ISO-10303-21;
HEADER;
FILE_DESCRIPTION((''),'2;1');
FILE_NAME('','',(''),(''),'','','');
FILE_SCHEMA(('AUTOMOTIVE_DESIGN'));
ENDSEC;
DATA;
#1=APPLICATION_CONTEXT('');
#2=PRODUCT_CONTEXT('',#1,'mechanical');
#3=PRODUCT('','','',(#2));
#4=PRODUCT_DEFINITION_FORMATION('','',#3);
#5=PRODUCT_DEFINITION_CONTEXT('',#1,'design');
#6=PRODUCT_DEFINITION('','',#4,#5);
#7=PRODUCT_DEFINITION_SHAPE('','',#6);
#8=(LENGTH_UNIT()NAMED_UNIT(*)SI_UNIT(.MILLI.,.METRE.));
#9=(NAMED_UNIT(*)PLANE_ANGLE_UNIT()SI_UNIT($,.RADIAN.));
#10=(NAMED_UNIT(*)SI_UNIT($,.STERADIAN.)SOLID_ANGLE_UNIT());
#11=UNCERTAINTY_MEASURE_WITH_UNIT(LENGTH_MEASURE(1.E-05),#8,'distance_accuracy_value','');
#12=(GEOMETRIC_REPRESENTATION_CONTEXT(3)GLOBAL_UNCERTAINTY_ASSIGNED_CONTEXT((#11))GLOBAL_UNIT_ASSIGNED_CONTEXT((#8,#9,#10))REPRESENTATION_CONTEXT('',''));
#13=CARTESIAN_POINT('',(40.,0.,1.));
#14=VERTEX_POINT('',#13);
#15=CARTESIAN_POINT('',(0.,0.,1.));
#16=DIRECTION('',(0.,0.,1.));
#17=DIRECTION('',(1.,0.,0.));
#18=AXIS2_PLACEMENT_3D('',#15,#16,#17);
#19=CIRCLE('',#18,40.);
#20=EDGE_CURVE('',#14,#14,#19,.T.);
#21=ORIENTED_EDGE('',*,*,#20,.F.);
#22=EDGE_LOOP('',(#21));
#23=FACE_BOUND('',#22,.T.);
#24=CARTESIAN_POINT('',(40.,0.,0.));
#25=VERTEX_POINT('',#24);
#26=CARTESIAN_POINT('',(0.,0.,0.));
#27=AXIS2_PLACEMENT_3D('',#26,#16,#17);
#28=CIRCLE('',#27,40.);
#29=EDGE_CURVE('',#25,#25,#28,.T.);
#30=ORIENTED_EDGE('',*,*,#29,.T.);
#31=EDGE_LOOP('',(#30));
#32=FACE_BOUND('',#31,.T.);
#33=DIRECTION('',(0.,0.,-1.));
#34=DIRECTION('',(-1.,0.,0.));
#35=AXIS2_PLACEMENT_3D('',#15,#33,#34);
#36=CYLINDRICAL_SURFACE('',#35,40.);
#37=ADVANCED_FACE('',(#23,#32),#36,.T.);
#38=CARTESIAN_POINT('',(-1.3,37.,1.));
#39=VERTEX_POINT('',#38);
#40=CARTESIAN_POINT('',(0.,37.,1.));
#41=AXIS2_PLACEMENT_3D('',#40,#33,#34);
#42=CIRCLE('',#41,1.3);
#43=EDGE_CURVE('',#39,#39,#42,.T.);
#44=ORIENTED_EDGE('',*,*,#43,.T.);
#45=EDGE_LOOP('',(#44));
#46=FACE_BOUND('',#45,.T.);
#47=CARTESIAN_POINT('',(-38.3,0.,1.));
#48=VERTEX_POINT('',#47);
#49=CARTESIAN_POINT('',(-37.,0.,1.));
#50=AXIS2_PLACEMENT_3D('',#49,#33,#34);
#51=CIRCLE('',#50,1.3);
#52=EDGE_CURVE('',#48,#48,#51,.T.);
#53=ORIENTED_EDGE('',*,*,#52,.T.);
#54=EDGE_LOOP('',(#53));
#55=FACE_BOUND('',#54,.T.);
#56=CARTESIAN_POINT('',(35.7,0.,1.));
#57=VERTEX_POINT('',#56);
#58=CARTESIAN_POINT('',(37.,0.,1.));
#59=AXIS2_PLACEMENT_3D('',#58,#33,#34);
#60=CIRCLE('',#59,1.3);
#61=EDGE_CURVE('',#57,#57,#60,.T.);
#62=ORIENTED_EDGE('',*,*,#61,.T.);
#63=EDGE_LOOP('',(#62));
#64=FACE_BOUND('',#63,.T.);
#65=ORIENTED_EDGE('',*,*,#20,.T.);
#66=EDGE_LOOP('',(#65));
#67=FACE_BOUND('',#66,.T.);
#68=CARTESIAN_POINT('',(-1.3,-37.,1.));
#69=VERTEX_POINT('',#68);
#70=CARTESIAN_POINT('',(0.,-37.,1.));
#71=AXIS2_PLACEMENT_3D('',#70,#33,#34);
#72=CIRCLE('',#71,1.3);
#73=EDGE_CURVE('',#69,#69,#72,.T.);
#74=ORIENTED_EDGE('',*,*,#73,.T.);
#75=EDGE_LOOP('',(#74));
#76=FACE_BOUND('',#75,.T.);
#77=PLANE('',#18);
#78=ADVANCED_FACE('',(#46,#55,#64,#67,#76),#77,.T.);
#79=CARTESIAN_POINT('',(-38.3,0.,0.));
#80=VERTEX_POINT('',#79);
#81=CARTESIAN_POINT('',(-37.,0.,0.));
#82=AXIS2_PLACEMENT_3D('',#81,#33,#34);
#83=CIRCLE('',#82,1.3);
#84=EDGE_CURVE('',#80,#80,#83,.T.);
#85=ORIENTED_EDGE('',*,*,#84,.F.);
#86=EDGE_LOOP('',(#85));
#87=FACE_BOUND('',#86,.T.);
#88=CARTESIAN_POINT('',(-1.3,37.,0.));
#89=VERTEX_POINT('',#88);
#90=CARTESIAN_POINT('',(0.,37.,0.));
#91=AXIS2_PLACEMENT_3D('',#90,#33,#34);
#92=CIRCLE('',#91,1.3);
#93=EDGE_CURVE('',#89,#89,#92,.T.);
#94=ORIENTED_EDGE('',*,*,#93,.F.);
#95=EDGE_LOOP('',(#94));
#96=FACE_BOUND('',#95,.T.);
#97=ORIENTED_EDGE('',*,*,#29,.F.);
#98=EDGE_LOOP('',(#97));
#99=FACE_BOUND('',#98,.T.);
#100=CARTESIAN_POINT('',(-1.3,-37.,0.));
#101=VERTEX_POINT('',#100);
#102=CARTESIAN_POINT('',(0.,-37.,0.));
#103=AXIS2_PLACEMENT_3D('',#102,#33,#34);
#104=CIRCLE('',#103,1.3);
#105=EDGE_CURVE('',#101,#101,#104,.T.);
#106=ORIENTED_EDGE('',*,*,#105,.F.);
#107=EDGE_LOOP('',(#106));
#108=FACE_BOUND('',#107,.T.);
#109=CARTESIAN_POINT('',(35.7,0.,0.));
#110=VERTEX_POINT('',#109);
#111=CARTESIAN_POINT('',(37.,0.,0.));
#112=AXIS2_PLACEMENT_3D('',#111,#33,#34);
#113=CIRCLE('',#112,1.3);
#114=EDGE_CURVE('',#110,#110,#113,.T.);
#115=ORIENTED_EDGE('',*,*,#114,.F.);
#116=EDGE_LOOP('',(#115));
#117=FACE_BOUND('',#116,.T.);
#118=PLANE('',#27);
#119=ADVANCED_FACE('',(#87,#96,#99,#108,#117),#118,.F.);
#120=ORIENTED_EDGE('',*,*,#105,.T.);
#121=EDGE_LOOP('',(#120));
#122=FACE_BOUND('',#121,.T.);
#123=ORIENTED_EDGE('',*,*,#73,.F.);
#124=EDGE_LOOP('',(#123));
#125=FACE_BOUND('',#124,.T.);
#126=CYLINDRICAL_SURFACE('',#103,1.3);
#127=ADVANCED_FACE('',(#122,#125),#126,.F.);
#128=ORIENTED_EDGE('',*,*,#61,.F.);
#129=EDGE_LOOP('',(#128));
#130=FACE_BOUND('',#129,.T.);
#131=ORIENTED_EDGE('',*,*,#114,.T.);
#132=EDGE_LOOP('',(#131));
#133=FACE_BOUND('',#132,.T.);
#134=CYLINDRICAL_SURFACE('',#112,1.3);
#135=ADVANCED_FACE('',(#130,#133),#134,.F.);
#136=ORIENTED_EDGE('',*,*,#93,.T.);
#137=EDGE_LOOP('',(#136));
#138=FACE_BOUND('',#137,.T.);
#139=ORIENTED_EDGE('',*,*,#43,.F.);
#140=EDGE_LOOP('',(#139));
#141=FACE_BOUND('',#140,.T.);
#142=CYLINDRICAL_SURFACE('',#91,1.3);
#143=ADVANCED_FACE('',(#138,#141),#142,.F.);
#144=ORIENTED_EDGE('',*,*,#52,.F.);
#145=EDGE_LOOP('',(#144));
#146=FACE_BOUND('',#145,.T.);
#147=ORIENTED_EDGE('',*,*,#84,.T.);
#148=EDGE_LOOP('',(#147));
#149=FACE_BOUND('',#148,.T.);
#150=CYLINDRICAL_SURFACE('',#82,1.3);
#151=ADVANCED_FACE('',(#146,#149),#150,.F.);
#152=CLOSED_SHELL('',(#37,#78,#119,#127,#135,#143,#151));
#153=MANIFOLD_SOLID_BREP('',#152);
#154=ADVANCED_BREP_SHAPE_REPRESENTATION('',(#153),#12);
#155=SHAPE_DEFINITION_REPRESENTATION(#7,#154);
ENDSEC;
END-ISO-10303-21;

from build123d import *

# Parameters (mm, degrees)
ESQUISSE1_R                  = 40
BOSS_EXTRU_1_DEPTH           = 1
D_GAGEMENT_M21_D             = 2.6
R_P_TITION_CIRCULAIRE1_COUNT = 4


with BuildPart() as part:
    # Esquisse1 → Boss.-Extru.1 (new body)
    with BuildSketch(Plane.XY):
        Circle(ESQUISSE1_R)
    extrude(amount=BOSS_EXTRU_1_DEPTH)

    # Dégagement M21 (through all)
    with Locations(Plane(origin=(0, 0, 0), x_dir=(-1, 0, 0), z_dir=(0, 0, -1))):
        with Locations((0, 37)):
            d_gagement_m21 = Hole(D_GAGEMENT_M21_D / 2)

    # Répétition circulaire1: Dégagement M21 ×4 about axis
    r_p_tition_circulaire1_axis = Axis((0, 0, 0), (0, 0, 1))
    for i in range(1, R_P_TITION_CIRCULAIRE1_COUNT):
        add(d_gagement_m21.rotate(r_p_tition_circulaire1_axis, i * 360 / R_P_TITION_CIRCULAIRE1_COUNT), mode=Mode.SUBTRACT)


solid = part.part
